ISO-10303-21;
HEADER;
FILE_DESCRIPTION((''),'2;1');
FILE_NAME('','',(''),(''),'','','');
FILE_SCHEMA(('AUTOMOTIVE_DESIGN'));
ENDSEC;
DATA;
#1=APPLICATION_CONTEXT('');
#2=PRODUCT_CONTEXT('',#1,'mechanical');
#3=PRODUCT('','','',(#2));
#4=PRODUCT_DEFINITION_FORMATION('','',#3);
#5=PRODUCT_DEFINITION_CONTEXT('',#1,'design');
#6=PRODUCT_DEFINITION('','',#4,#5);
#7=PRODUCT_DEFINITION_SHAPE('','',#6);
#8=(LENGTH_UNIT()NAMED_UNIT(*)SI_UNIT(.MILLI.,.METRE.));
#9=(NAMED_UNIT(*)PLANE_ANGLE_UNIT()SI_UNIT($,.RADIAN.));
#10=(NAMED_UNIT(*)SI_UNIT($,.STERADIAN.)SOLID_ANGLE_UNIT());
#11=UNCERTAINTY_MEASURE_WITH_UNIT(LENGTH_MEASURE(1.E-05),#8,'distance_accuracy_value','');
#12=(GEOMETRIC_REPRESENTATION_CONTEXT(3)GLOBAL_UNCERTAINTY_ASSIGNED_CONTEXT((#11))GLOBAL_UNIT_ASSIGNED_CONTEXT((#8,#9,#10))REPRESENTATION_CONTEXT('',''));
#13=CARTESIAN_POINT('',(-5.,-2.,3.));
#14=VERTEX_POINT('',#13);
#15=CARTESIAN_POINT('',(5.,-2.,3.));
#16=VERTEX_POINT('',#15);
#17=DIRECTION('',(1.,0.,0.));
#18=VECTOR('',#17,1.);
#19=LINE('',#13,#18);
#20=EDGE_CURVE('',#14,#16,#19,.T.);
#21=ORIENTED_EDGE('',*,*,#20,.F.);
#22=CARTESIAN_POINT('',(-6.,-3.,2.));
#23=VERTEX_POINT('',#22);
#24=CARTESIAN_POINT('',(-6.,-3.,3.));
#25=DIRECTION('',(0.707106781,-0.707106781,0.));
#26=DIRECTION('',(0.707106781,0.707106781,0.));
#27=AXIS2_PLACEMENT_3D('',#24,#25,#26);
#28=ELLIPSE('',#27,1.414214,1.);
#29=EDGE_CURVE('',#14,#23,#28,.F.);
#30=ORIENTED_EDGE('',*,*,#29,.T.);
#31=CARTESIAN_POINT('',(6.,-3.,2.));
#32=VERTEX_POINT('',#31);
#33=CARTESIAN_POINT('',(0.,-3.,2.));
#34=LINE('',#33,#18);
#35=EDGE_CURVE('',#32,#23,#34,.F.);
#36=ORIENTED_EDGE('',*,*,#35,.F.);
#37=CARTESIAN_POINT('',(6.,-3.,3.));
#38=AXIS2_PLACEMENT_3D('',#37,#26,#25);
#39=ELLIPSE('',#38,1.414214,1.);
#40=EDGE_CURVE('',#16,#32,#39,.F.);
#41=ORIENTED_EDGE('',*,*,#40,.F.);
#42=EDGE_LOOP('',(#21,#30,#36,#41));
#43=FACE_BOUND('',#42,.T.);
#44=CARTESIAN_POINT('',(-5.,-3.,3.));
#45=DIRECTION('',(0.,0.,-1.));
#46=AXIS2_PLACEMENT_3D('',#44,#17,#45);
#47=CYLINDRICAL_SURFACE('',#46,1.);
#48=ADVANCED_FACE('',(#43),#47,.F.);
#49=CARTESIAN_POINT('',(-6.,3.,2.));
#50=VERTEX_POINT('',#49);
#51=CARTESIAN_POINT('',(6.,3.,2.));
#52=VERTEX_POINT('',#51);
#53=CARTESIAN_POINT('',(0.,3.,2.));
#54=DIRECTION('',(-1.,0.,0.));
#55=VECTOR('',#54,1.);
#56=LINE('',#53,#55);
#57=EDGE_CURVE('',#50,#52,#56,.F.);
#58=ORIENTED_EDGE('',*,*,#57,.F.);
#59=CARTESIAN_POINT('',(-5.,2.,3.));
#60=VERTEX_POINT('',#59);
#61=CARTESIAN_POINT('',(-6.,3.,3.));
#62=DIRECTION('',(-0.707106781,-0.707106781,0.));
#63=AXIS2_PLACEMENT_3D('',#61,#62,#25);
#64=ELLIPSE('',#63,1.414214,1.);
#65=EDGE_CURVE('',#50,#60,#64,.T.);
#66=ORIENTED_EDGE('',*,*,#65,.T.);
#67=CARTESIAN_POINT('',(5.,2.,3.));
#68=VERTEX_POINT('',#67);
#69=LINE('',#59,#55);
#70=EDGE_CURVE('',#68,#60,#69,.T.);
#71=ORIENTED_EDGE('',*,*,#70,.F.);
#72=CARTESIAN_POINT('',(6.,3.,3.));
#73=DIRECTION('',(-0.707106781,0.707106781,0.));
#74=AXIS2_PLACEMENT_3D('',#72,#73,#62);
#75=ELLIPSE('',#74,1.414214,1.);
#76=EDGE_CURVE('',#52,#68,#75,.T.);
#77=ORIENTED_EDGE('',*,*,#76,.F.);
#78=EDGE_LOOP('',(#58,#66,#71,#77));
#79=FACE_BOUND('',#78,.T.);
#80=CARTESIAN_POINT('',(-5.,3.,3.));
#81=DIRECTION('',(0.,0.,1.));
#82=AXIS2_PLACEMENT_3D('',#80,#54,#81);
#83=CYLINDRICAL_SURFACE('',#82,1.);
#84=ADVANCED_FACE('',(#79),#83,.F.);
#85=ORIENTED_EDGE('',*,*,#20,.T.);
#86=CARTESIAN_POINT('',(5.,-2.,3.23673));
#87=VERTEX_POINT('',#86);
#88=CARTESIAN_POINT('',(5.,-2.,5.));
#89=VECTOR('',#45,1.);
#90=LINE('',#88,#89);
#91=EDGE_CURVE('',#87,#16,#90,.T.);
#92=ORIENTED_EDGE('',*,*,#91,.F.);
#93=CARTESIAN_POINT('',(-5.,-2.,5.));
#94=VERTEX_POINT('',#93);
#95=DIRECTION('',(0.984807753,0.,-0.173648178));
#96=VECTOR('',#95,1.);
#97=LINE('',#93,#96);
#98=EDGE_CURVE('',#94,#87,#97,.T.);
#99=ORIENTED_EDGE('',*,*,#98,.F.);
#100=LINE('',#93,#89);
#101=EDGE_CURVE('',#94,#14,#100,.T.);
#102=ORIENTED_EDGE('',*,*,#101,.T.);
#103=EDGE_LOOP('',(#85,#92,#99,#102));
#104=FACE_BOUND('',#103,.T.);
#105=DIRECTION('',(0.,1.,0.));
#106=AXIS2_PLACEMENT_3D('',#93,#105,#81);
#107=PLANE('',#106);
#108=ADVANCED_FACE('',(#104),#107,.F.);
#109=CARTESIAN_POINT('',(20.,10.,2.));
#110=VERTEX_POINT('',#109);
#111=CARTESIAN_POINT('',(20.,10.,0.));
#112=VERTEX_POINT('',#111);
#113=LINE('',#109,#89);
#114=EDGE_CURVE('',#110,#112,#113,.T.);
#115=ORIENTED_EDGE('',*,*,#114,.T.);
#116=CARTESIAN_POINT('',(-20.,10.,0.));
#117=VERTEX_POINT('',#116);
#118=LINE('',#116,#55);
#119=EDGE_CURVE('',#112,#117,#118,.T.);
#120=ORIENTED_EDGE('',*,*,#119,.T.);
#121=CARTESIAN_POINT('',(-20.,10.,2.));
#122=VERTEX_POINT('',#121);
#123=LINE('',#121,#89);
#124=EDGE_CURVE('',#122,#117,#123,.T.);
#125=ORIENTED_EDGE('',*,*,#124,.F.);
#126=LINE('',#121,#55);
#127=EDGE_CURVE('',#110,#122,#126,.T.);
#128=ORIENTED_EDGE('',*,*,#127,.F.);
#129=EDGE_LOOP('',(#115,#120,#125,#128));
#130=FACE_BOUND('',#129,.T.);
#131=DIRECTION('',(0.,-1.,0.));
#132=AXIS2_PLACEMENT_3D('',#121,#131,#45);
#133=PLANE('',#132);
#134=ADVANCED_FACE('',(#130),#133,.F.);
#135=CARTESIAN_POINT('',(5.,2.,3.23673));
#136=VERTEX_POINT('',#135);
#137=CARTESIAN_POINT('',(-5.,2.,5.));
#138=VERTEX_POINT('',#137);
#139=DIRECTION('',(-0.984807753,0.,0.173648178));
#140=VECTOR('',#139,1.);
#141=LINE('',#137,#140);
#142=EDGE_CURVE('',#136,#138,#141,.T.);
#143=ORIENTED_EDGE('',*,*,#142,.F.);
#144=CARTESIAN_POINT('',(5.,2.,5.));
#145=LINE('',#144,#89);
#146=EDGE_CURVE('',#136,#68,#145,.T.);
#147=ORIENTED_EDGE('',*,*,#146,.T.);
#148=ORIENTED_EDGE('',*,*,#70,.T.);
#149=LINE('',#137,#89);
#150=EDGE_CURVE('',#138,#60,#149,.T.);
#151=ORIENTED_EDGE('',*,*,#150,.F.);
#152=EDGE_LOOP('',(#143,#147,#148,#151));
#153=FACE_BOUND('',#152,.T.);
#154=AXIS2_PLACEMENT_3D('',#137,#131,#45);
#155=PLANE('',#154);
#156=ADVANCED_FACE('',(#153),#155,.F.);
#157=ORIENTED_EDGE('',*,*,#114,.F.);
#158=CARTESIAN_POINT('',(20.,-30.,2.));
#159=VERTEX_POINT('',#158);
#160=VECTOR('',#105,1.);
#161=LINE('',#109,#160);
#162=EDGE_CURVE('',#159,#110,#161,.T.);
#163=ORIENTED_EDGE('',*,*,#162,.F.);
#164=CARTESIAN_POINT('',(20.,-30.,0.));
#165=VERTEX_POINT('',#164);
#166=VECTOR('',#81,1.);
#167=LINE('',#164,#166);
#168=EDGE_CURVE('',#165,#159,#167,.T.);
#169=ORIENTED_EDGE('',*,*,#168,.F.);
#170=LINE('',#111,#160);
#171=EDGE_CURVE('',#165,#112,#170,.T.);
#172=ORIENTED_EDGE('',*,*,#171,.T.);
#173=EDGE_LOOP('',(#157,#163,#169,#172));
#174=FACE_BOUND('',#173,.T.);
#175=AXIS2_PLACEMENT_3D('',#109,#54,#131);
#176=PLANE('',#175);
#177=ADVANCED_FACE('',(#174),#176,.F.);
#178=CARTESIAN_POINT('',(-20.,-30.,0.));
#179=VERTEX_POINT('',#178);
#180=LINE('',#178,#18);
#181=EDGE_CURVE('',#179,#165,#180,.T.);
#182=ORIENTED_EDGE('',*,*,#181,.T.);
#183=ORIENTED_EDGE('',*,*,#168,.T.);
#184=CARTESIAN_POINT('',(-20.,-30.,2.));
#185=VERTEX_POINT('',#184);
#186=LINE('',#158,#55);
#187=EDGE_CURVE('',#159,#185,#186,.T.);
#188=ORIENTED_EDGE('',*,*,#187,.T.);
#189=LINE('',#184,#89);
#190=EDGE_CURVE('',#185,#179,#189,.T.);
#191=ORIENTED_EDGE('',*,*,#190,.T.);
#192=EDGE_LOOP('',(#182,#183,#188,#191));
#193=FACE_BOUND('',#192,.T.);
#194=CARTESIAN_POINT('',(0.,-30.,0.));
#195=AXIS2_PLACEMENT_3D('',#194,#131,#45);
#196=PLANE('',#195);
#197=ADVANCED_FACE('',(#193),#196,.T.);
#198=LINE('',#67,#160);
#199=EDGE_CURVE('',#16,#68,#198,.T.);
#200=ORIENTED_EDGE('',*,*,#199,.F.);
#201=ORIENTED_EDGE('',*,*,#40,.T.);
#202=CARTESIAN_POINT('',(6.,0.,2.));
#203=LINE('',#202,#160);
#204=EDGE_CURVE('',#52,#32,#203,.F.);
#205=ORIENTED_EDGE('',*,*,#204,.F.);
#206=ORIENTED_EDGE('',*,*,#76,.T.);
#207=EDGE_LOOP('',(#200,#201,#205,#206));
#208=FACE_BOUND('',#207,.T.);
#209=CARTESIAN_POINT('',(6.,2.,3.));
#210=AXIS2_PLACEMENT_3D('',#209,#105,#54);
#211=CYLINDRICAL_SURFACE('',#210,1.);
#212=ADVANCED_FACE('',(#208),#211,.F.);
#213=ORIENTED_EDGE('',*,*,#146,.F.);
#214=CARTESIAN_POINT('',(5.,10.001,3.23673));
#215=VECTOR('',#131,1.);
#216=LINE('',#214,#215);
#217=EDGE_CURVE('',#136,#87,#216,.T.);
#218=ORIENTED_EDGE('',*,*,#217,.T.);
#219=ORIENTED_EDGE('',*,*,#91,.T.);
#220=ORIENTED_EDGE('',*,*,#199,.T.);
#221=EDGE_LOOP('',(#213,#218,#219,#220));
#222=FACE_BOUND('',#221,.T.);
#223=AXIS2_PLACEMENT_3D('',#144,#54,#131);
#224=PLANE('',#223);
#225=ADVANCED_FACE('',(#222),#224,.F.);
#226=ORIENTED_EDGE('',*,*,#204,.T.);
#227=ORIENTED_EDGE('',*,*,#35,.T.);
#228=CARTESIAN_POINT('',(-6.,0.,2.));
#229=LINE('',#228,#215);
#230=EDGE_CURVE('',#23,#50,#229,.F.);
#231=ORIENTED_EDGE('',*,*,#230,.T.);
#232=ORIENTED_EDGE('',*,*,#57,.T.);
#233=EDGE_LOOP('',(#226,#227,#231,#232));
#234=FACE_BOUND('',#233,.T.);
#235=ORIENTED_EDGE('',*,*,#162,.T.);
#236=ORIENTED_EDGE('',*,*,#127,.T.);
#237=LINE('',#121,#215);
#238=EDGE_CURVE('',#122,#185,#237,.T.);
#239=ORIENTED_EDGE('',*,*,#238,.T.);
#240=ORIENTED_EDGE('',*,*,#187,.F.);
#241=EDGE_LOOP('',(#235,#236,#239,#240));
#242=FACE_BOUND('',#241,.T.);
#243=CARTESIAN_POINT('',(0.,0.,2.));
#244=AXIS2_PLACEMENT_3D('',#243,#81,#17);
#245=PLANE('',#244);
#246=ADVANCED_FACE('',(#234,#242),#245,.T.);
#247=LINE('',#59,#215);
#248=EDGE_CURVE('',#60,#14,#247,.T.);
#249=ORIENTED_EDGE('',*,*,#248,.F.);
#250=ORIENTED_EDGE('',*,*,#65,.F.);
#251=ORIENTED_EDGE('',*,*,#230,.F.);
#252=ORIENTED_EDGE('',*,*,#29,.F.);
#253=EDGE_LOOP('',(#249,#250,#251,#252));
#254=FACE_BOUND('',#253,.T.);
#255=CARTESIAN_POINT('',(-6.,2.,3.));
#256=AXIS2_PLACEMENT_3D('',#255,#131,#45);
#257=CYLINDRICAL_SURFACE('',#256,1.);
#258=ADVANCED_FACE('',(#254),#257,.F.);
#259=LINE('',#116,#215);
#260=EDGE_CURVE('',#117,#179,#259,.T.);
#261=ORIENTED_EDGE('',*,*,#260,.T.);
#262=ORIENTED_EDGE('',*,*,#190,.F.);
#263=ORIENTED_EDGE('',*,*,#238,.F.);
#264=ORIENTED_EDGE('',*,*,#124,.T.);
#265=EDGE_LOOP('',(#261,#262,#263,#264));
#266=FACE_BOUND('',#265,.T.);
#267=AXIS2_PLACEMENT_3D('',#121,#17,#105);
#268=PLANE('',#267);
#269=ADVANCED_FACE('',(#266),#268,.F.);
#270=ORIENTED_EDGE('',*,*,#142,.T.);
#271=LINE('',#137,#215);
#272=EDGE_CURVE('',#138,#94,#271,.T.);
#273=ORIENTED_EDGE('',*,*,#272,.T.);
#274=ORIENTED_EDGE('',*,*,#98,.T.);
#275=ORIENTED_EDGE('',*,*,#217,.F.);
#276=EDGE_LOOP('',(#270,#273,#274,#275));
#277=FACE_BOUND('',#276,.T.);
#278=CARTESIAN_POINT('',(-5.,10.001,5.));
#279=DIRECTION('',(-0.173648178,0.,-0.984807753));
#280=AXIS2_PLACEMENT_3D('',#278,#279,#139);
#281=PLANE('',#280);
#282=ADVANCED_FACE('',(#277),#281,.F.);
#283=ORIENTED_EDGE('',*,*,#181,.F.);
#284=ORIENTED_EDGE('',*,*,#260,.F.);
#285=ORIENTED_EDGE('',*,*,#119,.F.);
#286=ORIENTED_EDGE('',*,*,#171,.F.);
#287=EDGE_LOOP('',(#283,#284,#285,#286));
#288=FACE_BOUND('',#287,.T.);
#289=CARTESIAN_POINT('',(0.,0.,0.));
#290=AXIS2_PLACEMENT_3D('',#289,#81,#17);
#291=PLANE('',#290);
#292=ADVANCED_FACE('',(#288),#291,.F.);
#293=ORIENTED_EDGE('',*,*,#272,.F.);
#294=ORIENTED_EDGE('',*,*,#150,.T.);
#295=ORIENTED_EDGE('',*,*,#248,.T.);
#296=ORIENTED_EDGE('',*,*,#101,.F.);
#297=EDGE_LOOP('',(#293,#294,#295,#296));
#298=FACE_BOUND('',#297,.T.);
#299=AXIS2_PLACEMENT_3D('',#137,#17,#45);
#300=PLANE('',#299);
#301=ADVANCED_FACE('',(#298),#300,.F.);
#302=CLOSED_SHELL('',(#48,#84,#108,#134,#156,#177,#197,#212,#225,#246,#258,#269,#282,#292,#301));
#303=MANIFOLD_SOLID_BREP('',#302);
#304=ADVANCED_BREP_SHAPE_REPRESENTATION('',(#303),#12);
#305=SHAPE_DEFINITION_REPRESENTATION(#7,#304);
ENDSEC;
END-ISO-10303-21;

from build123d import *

# Parameters (mm, degrees)
SKETCH_1_W          = 40
SKETCH_1_H          = 20
EXTRUDE_1_DEPTH     = 2
SKETCH_2_W          = 10
SKETCH_2_H          = 4
EXTRUDE_2_DEPTH     = 3
CUT_EXTRUDE_1_REACH = 25.854
SKETCH_4_W          = 40
SKETCH_4_H          = 2
EXTRUDE_3_DEPTH     = 20
FILLET_1_R          = 1


with BuildPart() as part:
    # 草图1 → 凸台-拉伸1 (new body)
    with BuildSketch(Plane.XY):
        Rectangle(SKETCH_1_W, SKETCH_1_H)
    extrude(amount=EXTRUDE_1_DEPTH)

    # 草图2 → 凸台-拉伸2 (add)
    with BuildSketch(Plane.XY.offset(2)):
        Rectangle(SKETCH_2_W, SKETCH_2_H)
    extrude(amount=EXTRUDE_2_DEPTH)

    # 草图3 → 切除-拉伸1 (cut, up to next)
    with BuildSketch(Plane.XZ.offset(2), mode=Mode.PRIVATE) as cut_extrude_1_sk1:
        Polygon((-5, 5), (5, 3.236730193), (5, 5), align=None)
    cut_extrude_1_tool1 = extrude(cut_extrude_1_sk1.sketch, amount=-CUT_EXTRUDE_1_REACH, mode=Mode.PRIVATE) & part.part
    add(cut_extrude_1_tool1.solids().sort_by_distance((1.666667, -2, 4.412243))[0], mode=Mode.SUBTRACT)

    # 草图4 → 凸台-拉伸3 (add)
    with BuildSketch(Plane.XZ.offset(10)):
        with Locations((0, 1)):
            Rectangle(SKETCH_4_W, SKETCH_4_H)
    extrude(amount=EXTRUDE_3_DEPTH)

    # 圆角1
    fillet_1_edges = [part.edges().sort_by_distance(p)[0] for p in [
        (5, 0, 2),
        (0, 2, 2),
        (-5, 0, 2),
        (0, -2, 2),
    ]]
    fillet(fillet_1_edges, radius=FILLET_1_R)


solid = part.part
